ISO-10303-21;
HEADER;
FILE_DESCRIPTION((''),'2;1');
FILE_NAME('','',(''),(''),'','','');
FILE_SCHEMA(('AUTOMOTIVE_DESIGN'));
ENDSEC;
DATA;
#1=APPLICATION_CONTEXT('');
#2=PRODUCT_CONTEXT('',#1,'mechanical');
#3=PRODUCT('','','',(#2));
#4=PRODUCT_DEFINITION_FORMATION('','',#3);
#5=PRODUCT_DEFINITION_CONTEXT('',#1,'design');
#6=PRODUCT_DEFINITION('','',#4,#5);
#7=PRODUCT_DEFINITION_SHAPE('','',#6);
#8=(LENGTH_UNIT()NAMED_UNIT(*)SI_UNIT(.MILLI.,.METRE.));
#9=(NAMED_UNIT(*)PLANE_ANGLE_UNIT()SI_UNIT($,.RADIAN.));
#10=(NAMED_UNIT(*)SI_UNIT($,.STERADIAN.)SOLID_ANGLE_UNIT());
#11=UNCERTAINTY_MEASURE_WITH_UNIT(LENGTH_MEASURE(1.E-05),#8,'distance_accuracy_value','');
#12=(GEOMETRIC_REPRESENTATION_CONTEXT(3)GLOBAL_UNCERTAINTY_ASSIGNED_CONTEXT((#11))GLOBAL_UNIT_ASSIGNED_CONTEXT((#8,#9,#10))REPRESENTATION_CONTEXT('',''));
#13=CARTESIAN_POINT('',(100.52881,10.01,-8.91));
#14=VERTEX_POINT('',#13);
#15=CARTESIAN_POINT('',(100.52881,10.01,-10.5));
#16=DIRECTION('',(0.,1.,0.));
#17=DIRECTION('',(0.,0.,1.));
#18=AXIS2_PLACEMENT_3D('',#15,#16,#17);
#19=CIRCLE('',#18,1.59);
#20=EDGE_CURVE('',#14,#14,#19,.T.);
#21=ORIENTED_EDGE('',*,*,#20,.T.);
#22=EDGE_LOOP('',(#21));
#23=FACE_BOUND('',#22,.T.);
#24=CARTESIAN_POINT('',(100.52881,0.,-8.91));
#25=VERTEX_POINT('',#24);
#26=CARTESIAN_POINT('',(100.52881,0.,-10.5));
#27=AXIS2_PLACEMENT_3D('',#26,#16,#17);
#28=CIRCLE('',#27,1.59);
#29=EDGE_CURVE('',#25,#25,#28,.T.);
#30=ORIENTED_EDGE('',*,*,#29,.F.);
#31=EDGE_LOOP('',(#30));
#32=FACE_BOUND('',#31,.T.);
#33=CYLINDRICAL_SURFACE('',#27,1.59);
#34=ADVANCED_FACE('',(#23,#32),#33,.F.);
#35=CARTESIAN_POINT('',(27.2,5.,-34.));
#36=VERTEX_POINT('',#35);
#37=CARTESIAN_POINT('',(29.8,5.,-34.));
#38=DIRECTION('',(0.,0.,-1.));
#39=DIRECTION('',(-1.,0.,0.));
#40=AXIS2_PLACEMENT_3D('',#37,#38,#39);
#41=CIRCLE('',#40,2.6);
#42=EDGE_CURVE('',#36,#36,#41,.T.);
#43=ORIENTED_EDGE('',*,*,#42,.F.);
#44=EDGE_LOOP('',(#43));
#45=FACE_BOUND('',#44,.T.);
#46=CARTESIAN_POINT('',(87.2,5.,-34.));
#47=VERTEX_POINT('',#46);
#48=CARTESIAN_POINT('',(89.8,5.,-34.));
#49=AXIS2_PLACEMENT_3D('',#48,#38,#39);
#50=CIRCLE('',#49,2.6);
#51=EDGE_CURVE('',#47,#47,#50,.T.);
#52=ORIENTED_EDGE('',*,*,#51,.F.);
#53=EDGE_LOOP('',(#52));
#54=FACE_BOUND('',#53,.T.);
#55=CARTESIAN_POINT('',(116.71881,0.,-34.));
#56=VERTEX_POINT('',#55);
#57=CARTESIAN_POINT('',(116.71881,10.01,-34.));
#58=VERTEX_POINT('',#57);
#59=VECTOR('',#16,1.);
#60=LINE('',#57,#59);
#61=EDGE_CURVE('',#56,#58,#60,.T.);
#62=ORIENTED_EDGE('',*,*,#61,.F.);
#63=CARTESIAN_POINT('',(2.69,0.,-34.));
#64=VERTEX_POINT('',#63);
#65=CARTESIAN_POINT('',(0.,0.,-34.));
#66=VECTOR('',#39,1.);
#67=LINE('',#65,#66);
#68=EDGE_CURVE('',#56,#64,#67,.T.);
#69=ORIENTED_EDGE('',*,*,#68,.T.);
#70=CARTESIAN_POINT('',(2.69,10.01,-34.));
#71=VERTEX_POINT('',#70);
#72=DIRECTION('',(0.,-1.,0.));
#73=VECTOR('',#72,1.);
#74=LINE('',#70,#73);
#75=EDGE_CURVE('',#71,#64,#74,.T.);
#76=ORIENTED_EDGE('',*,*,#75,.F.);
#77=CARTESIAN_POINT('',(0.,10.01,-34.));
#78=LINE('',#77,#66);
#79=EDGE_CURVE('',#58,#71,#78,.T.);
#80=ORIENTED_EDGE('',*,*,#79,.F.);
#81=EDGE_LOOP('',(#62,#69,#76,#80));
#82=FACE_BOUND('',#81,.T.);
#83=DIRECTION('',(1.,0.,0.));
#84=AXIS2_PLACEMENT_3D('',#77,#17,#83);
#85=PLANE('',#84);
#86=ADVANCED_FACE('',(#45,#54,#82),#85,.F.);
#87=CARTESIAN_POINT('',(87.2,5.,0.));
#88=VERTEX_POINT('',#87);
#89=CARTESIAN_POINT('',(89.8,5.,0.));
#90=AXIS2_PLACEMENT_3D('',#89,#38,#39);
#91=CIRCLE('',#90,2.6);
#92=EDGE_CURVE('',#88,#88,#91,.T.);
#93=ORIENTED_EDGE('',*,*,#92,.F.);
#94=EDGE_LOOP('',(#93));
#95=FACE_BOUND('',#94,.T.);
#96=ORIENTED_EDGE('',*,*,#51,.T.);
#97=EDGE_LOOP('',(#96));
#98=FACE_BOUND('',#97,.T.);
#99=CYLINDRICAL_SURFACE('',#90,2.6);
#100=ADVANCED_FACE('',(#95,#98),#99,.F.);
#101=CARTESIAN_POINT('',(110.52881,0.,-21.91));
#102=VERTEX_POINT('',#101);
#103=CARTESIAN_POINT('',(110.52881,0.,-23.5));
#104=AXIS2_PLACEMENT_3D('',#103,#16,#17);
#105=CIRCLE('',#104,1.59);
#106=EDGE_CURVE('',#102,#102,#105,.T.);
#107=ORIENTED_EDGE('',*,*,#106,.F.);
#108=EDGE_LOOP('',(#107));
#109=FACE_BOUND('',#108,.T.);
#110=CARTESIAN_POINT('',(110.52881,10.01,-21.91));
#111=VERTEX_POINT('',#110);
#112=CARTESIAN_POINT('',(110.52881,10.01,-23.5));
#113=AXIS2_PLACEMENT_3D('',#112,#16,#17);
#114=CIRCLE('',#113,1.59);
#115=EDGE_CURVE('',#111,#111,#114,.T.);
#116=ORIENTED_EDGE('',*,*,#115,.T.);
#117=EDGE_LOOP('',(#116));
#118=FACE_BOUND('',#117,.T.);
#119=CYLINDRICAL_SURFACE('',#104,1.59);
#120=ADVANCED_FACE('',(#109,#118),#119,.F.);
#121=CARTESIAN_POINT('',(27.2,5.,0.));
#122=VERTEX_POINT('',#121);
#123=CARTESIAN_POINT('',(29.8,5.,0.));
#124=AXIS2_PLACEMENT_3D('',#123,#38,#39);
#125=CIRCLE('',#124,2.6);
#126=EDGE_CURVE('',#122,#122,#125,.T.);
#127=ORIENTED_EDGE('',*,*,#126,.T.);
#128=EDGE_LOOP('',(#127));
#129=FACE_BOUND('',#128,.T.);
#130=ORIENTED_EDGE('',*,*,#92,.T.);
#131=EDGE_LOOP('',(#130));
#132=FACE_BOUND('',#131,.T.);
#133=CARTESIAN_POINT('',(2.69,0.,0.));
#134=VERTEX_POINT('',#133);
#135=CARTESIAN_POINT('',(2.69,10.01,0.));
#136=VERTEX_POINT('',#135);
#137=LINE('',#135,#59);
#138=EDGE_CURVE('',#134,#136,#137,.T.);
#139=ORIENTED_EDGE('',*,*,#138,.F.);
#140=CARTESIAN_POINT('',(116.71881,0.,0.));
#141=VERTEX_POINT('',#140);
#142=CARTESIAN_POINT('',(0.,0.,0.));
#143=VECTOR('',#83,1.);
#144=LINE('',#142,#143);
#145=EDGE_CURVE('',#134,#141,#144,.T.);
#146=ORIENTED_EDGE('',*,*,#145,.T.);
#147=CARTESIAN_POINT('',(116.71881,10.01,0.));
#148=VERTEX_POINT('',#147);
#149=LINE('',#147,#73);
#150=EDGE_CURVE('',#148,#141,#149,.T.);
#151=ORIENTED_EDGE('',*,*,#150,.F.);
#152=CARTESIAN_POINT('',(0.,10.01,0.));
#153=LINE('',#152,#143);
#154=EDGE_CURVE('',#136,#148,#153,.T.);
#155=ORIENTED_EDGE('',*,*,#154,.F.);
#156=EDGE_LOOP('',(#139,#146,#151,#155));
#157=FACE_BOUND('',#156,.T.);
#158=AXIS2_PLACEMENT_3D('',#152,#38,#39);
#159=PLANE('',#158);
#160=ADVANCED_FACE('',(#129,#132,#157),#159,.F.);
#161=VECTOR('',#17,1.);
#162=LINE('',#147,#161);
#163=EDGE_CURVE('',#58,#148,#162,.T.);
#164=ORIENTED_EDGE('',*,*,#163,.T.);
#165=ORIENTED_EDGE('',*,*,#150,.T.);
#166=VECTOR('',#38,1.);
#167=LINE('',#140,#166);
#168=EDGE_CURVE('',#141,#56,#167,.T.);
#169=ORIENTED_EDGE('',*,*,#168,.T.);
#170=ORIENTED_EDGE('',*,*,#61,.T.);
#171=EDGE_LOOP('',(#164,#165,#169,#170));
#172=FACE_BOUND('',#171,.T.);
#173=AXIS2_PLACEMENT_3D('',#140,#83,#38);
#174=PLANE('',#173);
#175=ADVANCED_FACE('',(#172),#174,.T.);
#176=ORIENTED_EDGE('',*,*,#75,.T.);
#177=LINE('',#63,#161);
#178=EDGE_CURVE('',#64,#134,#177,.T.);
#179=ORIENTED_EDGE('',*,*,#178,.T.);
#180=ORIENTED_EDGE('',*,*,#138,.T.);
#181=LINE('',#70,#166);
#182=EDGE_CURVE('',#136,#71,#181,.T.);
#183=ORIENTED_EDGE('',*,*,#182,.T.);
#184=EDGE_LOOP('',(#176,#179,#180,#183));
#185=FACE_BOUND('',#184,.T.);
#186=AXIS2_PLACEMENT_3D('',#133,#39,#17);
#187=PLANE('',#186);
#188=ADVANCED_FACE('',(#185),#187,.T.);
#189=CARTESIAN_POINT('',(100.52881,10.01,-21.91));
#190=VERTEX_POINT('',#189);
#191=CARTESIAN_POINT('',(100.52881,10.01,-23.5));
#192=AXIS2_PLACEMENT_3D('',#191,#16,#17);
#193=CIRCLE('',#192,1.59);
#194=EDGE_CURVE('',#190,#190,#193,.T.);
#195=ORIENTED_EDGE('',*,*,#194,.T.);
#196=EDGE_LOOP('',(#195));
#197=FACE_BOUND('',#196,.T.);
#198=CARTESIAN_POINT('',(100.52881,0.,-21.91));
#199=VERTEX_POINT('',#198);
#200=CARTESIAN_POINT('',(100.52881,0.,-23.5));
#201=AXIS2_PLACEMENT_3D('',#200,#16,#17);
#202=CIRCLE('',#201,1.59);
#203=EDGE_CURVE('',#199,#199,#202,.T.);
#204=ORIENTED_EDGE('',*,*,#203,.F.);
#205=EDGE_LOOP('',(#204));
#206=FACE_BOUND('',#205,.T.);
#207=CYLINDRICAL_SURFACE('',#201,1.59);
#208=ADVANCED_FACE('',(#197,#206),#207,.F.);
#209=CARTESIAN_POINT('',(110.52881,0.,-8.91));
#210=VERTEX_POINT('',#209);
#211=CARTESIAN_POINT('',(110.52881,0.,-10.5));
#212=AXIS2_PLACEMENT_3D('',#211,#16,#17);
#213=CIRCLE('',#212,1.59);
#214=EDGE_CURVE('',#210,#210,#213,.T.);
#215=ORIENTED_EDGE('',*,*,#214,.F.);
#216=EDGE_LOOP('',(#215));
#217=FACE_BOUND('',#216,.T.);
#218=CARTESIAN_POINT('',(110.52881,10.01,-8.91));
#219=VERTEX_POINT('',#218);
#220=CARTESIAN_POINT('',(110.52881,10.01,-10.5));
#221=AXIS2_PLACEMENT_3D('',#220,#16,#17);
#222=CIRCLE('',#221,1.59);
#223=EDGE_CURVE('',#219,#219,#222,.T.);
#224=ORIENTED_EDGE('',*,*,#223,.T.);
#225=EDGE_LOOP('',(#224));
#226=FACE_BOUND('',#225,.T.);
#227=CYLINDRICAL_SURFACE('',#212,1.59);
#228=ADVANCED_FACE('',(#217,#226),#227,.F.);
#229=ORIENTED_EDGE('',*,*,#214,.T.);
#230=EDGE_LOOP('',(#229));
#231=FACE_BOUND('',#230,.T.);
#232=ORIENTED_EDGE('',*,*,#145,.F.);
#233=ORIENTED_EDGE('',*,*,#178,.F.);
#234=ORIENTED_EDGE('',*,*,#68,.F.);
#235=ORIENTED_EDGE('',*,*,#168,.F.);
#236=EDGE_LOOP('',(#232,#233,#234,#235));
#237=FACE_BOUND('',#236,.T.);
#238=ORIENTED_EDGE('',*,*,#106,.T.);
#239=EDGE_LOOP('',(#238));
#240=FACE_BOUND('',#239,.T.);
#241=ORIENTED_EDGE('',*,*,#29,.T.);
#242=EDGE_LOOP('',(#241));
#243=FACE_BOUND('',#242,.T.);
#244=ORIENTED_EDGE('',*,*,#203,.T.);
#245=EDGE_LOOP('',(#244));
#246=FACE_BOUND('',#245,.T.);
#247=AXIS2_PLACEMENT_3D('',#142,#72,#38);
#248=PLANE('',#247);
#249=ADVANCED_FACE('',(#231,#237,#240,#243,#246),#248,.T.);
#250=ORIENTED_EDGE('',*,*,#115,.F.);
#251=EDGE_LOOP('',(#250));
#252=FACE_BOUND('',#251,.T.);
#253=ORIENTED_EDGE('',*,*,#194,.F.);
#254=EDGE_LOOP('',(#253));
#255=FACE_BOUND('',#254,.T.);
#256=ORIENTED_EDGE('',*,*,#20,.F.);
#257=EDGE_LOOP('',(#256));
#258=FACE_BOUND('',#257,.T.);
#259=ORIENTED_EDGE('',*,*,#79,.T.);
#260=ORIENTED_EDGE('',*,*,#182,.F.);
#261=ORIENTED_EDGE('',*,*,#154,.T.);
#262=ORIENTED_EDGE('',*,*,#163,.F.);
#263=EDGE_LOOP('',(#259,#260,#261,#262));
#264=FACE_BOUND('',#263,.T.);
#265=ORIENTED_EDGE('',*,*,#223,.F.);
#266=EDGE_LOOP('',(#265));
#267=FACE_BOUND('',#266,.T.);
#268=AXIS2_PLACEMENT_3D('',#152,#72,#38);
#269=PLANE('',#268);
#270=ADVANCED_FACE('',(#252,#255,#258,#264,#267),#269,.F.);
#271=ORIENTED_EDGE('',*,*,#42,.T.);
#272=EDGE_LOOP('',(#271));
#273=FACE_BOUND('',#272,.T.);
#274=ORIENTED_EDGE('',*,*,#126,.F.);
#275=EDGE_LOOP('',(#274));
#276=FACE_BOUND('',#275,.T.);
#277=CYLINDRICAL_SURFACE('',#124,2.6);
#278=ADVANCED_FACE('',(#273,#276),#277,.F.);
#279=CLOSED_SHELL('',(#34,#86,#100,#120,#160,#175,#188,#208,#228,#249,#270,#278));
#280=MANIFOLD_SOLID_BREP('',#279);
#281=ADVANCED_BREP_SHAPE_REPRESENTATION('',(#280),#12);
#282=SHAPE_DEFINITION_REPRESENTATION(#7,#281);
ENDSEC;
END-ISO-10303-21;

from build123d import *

# Parameters (mm, degrees)
SKETCH1_W           = 114.02881
SKETCH1_H           = 34
BOSS_EXTRUDE1_DEPTH = 10.01
SKETCH8_R           = 2.6
CUT_EXTRUDE3_DEPTH  = 120.410090068
SKETCH11_R          = 1.59
CUT_EXTRUDE6_DEPTH  = 120.410090068
SKETCH12_W          = 34
SKETCH12_H          = 10.01
BOSS_EXTRUDE2_DEPTH = 2.69
SKETCH14_W          = 34
SKETCH14_H          = 10.01
CUT_EXTRUDE7_DEPTH  = 2.69


with BuildPart() as part:
    # Sketch1 → Boss-Extrude1 (new body)
    with BuildSketch(Plane(origin=(0, 0, 0), x_dir=(1, 0, 0), z_dir=(0, 1, 0))):
        with Locations((57.014405, 17)):
            Rectangle(SKETCH1_W, SKETCH1_H)
    extrude(amount=BOSS_EXTRUDE1_DEPTH)

    # Sketch8 → Cut-Extrude3 (cut, through all)
    with BuildSketch(Plane(origin=(0, 0, -34), x_dir=(-1, 0, 0), z_dir=(0, 0, -1))):
        with Locations((-89.8, 5)):
            Circle(SKETCH8_R)
        with Locations((-29.8, 5)):
            Circle(SKETCH8_R)
    extrude(amount=-CUT_EXTRUDE3_DEPTH, mode=Mode.SUBTRACT)

    # Sketch11 → Cut-Extrude6 (cut, through all)
    with BuildSketch(Plane(origin=(0, 10.01, 0), x_dir=(1, 0, 0), z_dir=(0, 1, 0))):
        with Locations(Location((110.52881, 10.5, 0), (0, 0, 270))):
            Circle(SKETCH11_R)
        with Locations(Location((110.52881, 23.5, 0), (0, 0, 270))):
            Circle(SKETCH11_R)
        with Locations(Location((100.52881, 10.5, 0), (0, 0, 270))):
            Circle(SKETCH11_R)
        with Locations(Location((100.52881, 23.5, 0), (0, 0, 270))):
            Circle(SKETCH11_R)
    extrude(amount=-CUT_EXTRUDE6_DEPTH, mode=Mode.SUBTRACT)

    # Sketch12 → Boss-Extrude2 (add)
    with BuildSketch(Plane(origin=(114.02881, 0, 0), x_dir=(0, 0, -1), z_dir=(1, 0, 0))):
        with Locations((17, 5.005)):
            Rectangle(SKETCH12_W, SKETCH12_H)
    extrude(amount=BOSS_EXTRUDE2_DEPTH)

    # Sketch14 → Cut-Extrude7 (cut)
    with BuildSketch(Plane.ZY):
        with Locations((-17, 5.005)):
            Rectangle(SKETCH14_W, SKETCH14_H)
    extrude(amount=-CUT_EXTRUDE7_DEPTH, mode=Mode.SUBTRACT)


solid = part.part
